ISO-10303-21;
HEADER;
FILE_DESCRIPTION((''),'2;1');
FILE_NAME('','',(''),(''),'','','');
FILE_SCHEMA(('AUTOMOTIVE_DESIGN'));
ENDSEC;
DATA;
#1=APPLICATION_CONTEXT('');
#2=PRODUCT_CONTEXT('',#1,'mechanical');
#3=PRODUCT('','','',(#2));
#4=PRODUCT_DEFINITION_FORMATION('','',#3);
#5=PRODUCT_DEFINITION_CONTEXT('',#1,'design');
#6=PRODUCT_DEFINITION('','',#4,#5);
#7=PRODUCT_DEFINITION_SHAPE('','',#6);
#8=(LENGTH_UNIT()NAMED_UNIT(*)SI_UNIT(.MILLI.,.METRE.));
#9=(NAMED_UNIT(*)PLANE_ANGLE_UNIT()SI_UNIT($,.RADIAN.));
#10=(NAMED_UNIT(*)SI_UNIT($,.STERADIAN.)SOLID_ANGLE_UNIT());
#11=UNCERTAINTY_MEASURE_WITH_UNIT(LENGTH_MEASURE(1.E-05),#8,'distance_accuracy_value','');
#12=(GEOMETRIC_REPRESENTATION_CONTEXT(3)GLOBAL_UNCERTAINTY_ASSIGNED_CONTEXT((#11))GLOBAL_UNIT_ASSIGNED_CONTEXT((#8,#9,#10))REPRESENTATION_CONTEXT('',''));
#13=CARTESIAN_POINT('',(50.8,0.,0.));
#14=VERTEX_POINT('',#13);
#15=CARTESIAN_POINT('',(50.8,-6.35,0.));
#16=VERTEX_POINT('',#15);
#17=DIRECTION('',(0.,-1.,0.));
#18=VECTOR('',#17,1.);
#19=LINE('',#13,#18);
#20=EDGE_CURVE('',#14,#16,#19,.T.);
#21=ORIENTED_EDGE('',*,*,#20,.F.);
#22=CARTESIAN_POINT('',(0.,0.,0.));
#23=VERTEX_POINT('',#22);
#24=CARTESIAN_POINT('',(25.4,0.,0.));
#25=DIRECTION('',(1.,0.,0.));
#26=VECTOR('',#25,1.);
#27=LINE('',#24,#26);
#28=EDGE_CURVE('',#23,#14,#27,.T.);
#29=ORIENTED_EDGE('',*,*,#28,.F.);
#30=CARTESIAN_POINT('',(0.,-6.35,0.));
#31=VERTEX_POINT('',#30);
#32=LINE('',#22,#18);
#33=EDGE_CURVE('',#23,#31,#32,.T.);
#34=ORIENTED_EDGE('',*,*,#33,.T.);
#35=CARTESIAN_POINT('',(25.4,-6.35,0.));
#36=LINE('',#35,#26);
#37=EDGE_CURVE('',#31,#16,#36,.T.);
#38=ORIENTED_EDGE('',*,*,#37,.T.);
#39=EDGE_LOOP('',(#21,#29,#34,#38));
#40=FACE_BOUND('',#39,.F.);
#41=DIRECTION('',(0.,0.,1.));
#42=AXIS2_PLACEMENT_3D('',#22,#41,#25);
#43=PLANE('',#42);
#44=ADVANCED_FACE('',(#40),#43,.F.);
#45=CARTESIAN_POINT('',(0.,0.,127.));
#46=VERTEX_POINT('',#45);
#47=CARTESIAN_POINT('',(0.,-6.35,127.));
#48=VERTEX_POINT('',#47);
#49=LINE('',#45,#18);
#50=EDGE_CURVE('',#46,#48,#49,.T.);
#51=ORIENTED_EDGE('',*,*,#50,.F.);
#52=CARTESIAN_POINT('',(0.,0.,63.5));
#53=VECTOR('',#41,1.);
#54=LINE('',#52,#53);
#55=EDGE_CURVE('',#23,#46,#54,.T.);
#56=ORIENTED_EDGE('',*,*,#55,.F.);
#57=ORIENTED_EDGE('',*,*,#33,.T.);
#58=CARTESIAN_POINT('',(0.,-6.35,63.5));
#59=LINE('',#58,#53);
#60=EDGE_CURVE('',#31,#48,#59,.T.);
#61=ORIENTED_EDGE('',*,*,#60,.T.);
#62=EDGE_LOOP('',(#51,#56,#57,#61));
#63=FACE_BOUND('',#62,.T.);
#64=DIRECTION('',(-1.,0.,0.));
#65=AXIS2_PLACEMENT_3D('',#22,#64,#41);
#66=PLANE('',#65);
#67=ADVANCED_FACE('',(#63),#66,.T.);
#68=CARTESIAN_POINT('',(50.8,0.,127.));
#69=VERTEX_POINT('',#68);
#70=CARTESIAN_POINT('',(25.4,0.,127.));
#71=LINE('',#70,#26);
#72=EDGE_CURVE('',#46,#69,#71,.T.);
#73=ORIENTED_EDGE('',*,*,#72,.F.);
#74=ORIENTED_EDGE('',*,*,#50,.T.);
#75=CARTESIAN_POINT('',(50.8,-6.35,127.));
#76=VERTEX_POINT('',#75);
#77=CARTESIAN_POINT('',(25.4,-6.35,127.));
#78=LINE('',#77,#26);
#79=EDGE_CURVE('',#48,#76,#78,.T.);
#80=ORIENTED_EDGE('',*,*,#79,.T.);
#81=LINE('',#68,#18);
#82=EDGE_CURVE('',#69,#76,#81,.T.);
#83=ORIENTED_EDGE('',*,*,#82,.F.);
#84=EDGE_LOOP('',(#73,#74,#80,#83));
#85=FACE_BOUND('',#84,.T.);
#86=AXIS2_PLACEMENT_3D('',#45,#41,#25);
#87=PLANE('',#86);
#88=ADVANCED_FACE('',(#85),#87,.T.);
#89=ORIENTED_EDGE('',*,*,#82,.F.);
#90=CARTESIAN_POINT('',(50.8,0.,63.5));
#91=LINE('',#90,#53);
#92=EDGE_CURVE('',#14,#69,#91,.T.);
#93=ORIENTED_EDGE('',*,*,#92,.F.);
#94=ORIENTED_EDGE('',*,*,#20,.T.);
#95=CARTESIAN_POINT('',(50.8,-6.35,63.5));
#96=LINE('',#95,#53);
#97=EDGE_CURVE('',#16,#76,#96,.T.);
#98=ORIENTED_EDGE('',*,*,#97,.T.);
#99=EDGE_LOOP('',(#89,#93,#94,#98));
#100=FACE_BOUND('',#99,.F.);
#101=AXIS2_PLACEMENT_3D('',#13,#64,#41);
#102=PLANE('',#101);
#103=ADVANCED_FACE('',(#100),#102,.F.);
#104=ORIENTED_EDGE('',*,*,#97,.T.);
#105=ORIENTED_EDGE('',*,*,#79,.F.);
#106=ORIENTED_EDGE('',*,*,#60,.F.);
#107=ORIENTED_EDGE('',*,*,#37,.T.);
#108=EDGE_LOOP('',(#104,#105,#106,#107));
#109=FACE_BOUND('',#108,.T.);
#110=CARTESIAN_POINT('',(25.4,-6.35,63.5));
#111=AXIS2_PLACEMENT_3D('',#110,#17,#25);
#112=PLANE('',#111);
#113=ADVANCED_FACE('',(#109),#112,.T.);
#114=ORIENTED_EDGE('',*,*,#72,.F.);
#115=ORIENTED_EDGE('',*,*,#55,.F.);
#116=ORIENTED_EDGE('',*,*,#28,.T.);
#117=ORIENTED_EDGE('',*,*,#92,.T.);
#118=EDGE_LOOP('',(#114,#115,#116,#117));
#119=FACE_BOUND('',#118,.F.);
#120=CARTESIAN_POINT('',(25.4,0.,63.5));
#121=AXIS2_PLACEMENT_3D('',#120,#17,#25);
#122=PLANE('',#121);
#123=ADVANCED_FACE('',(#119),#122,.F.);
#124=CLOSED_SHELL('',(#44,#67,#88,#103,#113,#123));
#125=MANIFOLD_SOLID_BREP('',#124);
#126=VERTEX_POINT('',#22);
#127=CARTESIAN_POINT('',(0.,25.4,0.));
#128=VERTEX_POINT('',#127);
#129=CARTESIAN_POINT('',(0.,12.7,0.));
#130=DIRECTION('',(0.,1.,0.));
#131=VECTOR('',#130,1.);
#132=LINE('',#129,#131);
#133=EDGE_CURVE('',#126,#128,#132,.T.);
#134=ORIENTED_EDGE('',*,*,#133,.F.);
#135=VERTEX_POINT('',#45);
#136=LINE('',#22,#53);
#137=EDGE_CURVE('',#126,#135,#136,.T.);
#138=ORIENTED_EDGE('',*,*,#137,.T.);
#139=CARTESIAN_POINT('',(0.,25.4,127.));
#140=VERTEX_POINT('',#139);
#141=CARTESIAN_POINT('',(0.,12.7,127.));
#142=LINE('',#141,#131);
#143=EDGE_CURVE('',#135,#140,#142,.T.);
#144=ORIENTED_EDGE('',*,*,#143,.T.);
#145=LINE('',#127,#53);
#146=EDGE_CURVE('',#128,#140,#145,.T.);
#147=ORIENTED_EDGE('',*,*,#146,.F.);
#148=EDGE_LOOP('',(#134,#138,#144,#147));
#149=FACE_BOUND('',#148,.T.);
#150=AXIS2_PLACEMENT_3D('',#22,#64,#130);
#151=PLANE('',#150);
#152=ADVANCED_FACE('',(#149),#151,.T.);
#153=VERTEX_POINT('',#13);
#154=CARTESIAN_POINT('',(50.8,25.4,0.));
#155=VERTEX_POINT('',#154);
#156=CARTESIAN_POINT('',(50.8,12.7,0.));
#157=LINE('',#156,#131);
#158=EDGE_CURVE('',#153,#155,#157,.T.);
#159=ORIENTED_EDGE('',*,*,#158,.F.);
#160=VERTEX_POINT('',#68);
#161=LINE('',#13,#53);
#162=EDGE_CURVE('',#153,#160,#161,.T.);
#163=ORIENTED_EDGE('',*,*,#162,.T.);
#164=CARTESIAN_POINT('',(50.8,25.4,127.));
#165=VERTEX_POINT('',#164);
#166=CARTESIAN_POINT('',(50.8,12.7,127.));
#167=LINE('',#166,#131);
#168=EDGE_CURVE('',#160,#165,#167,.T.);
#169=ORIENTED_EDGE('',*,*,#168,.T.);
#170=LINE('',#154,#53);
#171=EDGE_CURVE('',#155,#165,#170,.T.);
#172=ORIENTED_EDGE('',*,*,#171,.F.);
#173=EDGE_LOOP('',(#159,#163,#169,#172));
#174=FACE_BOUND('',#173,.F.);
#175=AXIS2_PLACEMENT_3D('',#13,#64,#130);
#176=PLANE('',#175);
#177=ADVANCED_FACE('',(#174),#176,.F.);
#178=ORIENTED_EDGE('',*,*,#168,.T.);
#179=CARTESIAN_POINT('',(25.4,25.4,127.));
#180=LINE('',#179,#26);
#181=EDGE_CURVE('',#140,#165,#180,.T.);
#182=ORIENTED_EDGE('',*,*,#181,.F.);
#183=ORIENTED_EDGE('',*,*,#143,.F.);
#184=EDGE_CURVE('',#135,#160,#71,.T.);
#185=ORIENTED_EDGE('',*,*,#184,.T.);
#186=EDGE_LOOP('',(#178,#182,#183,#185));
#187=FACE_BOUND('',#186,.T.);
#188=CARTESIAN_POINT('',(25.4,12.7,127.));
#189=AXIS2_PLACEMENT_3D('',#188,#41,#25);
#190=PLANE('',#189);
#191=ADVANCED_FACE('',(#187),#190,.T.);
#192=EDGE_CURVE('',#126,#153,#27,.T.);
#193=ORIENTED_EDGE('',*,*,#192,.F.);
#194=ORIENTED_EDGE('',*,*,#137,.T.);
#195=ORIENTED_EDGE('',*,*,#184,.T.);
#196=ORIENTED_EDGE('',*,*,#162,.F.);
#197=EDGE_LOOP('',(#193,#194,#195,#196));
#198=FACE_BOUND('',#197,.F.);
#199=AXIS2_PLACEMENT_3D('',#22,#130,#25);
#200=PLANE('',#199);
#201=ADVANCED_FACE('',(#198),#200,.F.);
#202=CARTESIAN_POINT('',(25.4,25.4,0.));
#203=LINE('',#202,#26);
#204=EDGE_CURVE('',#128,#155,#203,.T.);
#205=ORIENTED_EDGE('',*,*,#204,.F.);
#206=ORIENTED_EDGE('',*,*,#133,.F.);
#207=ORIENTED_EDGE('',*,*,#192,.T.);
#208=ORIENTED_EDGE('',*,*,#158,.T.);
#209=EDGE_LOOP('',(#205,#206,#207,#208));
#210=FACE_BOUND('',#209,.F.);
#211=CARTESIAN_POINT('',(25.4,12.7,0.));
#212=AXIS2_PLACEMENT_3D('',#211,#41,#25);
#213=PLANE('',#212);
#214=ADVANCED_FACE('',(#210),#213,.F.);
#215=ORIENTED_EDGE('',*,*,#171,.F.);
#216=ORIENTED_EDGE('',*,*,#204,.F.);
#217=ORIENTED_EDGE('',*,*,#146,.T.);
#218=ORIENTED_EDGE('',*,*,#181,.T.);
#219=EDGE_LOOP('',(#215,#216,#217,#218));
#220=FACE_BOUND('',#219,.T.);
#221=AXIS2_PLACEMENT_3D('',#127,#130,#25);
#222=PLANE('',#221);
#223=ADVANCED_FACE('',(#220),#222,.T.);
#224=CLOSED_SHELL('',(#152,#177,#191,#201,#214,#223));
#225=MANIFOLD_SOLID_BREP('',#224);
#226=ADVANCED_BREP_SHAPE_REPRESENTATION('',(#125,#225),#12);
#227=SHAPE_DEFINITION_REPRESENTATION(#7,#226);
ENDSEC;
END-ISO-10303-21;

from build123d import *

# Parameters (mm, degrees)
F0_W      = 50.8
F0_H      = 25.4
F1_DEPTH  = 127
F1_FACE_W = 50.8
F1_FACE_H = 127
F2_DEPTH  = 6.35


with BuildPart() as f1:
    # F0 (on Top) → F1 (new body)
    with BuildSketch(Plane.XY):
        with Locations((25.4, 12.7)):
            Rectangle(F0_W, F0_H)
    extrude(amount=F1_DEPTH)


with BuildPart() as f2:
    # F1_face (on face) → F2 (new body)
    with BuildSketch(Plane(origin=(25.4, 0, 63.5), x_dir=(1, 0, 0), z_dir=(0, -1, 0))):
        Rectangle(F1_FACE_W, F1_FACE_H)
    extrude(amount=F2_DEPTH)


solid = Compound([f1.part, f2.part])
